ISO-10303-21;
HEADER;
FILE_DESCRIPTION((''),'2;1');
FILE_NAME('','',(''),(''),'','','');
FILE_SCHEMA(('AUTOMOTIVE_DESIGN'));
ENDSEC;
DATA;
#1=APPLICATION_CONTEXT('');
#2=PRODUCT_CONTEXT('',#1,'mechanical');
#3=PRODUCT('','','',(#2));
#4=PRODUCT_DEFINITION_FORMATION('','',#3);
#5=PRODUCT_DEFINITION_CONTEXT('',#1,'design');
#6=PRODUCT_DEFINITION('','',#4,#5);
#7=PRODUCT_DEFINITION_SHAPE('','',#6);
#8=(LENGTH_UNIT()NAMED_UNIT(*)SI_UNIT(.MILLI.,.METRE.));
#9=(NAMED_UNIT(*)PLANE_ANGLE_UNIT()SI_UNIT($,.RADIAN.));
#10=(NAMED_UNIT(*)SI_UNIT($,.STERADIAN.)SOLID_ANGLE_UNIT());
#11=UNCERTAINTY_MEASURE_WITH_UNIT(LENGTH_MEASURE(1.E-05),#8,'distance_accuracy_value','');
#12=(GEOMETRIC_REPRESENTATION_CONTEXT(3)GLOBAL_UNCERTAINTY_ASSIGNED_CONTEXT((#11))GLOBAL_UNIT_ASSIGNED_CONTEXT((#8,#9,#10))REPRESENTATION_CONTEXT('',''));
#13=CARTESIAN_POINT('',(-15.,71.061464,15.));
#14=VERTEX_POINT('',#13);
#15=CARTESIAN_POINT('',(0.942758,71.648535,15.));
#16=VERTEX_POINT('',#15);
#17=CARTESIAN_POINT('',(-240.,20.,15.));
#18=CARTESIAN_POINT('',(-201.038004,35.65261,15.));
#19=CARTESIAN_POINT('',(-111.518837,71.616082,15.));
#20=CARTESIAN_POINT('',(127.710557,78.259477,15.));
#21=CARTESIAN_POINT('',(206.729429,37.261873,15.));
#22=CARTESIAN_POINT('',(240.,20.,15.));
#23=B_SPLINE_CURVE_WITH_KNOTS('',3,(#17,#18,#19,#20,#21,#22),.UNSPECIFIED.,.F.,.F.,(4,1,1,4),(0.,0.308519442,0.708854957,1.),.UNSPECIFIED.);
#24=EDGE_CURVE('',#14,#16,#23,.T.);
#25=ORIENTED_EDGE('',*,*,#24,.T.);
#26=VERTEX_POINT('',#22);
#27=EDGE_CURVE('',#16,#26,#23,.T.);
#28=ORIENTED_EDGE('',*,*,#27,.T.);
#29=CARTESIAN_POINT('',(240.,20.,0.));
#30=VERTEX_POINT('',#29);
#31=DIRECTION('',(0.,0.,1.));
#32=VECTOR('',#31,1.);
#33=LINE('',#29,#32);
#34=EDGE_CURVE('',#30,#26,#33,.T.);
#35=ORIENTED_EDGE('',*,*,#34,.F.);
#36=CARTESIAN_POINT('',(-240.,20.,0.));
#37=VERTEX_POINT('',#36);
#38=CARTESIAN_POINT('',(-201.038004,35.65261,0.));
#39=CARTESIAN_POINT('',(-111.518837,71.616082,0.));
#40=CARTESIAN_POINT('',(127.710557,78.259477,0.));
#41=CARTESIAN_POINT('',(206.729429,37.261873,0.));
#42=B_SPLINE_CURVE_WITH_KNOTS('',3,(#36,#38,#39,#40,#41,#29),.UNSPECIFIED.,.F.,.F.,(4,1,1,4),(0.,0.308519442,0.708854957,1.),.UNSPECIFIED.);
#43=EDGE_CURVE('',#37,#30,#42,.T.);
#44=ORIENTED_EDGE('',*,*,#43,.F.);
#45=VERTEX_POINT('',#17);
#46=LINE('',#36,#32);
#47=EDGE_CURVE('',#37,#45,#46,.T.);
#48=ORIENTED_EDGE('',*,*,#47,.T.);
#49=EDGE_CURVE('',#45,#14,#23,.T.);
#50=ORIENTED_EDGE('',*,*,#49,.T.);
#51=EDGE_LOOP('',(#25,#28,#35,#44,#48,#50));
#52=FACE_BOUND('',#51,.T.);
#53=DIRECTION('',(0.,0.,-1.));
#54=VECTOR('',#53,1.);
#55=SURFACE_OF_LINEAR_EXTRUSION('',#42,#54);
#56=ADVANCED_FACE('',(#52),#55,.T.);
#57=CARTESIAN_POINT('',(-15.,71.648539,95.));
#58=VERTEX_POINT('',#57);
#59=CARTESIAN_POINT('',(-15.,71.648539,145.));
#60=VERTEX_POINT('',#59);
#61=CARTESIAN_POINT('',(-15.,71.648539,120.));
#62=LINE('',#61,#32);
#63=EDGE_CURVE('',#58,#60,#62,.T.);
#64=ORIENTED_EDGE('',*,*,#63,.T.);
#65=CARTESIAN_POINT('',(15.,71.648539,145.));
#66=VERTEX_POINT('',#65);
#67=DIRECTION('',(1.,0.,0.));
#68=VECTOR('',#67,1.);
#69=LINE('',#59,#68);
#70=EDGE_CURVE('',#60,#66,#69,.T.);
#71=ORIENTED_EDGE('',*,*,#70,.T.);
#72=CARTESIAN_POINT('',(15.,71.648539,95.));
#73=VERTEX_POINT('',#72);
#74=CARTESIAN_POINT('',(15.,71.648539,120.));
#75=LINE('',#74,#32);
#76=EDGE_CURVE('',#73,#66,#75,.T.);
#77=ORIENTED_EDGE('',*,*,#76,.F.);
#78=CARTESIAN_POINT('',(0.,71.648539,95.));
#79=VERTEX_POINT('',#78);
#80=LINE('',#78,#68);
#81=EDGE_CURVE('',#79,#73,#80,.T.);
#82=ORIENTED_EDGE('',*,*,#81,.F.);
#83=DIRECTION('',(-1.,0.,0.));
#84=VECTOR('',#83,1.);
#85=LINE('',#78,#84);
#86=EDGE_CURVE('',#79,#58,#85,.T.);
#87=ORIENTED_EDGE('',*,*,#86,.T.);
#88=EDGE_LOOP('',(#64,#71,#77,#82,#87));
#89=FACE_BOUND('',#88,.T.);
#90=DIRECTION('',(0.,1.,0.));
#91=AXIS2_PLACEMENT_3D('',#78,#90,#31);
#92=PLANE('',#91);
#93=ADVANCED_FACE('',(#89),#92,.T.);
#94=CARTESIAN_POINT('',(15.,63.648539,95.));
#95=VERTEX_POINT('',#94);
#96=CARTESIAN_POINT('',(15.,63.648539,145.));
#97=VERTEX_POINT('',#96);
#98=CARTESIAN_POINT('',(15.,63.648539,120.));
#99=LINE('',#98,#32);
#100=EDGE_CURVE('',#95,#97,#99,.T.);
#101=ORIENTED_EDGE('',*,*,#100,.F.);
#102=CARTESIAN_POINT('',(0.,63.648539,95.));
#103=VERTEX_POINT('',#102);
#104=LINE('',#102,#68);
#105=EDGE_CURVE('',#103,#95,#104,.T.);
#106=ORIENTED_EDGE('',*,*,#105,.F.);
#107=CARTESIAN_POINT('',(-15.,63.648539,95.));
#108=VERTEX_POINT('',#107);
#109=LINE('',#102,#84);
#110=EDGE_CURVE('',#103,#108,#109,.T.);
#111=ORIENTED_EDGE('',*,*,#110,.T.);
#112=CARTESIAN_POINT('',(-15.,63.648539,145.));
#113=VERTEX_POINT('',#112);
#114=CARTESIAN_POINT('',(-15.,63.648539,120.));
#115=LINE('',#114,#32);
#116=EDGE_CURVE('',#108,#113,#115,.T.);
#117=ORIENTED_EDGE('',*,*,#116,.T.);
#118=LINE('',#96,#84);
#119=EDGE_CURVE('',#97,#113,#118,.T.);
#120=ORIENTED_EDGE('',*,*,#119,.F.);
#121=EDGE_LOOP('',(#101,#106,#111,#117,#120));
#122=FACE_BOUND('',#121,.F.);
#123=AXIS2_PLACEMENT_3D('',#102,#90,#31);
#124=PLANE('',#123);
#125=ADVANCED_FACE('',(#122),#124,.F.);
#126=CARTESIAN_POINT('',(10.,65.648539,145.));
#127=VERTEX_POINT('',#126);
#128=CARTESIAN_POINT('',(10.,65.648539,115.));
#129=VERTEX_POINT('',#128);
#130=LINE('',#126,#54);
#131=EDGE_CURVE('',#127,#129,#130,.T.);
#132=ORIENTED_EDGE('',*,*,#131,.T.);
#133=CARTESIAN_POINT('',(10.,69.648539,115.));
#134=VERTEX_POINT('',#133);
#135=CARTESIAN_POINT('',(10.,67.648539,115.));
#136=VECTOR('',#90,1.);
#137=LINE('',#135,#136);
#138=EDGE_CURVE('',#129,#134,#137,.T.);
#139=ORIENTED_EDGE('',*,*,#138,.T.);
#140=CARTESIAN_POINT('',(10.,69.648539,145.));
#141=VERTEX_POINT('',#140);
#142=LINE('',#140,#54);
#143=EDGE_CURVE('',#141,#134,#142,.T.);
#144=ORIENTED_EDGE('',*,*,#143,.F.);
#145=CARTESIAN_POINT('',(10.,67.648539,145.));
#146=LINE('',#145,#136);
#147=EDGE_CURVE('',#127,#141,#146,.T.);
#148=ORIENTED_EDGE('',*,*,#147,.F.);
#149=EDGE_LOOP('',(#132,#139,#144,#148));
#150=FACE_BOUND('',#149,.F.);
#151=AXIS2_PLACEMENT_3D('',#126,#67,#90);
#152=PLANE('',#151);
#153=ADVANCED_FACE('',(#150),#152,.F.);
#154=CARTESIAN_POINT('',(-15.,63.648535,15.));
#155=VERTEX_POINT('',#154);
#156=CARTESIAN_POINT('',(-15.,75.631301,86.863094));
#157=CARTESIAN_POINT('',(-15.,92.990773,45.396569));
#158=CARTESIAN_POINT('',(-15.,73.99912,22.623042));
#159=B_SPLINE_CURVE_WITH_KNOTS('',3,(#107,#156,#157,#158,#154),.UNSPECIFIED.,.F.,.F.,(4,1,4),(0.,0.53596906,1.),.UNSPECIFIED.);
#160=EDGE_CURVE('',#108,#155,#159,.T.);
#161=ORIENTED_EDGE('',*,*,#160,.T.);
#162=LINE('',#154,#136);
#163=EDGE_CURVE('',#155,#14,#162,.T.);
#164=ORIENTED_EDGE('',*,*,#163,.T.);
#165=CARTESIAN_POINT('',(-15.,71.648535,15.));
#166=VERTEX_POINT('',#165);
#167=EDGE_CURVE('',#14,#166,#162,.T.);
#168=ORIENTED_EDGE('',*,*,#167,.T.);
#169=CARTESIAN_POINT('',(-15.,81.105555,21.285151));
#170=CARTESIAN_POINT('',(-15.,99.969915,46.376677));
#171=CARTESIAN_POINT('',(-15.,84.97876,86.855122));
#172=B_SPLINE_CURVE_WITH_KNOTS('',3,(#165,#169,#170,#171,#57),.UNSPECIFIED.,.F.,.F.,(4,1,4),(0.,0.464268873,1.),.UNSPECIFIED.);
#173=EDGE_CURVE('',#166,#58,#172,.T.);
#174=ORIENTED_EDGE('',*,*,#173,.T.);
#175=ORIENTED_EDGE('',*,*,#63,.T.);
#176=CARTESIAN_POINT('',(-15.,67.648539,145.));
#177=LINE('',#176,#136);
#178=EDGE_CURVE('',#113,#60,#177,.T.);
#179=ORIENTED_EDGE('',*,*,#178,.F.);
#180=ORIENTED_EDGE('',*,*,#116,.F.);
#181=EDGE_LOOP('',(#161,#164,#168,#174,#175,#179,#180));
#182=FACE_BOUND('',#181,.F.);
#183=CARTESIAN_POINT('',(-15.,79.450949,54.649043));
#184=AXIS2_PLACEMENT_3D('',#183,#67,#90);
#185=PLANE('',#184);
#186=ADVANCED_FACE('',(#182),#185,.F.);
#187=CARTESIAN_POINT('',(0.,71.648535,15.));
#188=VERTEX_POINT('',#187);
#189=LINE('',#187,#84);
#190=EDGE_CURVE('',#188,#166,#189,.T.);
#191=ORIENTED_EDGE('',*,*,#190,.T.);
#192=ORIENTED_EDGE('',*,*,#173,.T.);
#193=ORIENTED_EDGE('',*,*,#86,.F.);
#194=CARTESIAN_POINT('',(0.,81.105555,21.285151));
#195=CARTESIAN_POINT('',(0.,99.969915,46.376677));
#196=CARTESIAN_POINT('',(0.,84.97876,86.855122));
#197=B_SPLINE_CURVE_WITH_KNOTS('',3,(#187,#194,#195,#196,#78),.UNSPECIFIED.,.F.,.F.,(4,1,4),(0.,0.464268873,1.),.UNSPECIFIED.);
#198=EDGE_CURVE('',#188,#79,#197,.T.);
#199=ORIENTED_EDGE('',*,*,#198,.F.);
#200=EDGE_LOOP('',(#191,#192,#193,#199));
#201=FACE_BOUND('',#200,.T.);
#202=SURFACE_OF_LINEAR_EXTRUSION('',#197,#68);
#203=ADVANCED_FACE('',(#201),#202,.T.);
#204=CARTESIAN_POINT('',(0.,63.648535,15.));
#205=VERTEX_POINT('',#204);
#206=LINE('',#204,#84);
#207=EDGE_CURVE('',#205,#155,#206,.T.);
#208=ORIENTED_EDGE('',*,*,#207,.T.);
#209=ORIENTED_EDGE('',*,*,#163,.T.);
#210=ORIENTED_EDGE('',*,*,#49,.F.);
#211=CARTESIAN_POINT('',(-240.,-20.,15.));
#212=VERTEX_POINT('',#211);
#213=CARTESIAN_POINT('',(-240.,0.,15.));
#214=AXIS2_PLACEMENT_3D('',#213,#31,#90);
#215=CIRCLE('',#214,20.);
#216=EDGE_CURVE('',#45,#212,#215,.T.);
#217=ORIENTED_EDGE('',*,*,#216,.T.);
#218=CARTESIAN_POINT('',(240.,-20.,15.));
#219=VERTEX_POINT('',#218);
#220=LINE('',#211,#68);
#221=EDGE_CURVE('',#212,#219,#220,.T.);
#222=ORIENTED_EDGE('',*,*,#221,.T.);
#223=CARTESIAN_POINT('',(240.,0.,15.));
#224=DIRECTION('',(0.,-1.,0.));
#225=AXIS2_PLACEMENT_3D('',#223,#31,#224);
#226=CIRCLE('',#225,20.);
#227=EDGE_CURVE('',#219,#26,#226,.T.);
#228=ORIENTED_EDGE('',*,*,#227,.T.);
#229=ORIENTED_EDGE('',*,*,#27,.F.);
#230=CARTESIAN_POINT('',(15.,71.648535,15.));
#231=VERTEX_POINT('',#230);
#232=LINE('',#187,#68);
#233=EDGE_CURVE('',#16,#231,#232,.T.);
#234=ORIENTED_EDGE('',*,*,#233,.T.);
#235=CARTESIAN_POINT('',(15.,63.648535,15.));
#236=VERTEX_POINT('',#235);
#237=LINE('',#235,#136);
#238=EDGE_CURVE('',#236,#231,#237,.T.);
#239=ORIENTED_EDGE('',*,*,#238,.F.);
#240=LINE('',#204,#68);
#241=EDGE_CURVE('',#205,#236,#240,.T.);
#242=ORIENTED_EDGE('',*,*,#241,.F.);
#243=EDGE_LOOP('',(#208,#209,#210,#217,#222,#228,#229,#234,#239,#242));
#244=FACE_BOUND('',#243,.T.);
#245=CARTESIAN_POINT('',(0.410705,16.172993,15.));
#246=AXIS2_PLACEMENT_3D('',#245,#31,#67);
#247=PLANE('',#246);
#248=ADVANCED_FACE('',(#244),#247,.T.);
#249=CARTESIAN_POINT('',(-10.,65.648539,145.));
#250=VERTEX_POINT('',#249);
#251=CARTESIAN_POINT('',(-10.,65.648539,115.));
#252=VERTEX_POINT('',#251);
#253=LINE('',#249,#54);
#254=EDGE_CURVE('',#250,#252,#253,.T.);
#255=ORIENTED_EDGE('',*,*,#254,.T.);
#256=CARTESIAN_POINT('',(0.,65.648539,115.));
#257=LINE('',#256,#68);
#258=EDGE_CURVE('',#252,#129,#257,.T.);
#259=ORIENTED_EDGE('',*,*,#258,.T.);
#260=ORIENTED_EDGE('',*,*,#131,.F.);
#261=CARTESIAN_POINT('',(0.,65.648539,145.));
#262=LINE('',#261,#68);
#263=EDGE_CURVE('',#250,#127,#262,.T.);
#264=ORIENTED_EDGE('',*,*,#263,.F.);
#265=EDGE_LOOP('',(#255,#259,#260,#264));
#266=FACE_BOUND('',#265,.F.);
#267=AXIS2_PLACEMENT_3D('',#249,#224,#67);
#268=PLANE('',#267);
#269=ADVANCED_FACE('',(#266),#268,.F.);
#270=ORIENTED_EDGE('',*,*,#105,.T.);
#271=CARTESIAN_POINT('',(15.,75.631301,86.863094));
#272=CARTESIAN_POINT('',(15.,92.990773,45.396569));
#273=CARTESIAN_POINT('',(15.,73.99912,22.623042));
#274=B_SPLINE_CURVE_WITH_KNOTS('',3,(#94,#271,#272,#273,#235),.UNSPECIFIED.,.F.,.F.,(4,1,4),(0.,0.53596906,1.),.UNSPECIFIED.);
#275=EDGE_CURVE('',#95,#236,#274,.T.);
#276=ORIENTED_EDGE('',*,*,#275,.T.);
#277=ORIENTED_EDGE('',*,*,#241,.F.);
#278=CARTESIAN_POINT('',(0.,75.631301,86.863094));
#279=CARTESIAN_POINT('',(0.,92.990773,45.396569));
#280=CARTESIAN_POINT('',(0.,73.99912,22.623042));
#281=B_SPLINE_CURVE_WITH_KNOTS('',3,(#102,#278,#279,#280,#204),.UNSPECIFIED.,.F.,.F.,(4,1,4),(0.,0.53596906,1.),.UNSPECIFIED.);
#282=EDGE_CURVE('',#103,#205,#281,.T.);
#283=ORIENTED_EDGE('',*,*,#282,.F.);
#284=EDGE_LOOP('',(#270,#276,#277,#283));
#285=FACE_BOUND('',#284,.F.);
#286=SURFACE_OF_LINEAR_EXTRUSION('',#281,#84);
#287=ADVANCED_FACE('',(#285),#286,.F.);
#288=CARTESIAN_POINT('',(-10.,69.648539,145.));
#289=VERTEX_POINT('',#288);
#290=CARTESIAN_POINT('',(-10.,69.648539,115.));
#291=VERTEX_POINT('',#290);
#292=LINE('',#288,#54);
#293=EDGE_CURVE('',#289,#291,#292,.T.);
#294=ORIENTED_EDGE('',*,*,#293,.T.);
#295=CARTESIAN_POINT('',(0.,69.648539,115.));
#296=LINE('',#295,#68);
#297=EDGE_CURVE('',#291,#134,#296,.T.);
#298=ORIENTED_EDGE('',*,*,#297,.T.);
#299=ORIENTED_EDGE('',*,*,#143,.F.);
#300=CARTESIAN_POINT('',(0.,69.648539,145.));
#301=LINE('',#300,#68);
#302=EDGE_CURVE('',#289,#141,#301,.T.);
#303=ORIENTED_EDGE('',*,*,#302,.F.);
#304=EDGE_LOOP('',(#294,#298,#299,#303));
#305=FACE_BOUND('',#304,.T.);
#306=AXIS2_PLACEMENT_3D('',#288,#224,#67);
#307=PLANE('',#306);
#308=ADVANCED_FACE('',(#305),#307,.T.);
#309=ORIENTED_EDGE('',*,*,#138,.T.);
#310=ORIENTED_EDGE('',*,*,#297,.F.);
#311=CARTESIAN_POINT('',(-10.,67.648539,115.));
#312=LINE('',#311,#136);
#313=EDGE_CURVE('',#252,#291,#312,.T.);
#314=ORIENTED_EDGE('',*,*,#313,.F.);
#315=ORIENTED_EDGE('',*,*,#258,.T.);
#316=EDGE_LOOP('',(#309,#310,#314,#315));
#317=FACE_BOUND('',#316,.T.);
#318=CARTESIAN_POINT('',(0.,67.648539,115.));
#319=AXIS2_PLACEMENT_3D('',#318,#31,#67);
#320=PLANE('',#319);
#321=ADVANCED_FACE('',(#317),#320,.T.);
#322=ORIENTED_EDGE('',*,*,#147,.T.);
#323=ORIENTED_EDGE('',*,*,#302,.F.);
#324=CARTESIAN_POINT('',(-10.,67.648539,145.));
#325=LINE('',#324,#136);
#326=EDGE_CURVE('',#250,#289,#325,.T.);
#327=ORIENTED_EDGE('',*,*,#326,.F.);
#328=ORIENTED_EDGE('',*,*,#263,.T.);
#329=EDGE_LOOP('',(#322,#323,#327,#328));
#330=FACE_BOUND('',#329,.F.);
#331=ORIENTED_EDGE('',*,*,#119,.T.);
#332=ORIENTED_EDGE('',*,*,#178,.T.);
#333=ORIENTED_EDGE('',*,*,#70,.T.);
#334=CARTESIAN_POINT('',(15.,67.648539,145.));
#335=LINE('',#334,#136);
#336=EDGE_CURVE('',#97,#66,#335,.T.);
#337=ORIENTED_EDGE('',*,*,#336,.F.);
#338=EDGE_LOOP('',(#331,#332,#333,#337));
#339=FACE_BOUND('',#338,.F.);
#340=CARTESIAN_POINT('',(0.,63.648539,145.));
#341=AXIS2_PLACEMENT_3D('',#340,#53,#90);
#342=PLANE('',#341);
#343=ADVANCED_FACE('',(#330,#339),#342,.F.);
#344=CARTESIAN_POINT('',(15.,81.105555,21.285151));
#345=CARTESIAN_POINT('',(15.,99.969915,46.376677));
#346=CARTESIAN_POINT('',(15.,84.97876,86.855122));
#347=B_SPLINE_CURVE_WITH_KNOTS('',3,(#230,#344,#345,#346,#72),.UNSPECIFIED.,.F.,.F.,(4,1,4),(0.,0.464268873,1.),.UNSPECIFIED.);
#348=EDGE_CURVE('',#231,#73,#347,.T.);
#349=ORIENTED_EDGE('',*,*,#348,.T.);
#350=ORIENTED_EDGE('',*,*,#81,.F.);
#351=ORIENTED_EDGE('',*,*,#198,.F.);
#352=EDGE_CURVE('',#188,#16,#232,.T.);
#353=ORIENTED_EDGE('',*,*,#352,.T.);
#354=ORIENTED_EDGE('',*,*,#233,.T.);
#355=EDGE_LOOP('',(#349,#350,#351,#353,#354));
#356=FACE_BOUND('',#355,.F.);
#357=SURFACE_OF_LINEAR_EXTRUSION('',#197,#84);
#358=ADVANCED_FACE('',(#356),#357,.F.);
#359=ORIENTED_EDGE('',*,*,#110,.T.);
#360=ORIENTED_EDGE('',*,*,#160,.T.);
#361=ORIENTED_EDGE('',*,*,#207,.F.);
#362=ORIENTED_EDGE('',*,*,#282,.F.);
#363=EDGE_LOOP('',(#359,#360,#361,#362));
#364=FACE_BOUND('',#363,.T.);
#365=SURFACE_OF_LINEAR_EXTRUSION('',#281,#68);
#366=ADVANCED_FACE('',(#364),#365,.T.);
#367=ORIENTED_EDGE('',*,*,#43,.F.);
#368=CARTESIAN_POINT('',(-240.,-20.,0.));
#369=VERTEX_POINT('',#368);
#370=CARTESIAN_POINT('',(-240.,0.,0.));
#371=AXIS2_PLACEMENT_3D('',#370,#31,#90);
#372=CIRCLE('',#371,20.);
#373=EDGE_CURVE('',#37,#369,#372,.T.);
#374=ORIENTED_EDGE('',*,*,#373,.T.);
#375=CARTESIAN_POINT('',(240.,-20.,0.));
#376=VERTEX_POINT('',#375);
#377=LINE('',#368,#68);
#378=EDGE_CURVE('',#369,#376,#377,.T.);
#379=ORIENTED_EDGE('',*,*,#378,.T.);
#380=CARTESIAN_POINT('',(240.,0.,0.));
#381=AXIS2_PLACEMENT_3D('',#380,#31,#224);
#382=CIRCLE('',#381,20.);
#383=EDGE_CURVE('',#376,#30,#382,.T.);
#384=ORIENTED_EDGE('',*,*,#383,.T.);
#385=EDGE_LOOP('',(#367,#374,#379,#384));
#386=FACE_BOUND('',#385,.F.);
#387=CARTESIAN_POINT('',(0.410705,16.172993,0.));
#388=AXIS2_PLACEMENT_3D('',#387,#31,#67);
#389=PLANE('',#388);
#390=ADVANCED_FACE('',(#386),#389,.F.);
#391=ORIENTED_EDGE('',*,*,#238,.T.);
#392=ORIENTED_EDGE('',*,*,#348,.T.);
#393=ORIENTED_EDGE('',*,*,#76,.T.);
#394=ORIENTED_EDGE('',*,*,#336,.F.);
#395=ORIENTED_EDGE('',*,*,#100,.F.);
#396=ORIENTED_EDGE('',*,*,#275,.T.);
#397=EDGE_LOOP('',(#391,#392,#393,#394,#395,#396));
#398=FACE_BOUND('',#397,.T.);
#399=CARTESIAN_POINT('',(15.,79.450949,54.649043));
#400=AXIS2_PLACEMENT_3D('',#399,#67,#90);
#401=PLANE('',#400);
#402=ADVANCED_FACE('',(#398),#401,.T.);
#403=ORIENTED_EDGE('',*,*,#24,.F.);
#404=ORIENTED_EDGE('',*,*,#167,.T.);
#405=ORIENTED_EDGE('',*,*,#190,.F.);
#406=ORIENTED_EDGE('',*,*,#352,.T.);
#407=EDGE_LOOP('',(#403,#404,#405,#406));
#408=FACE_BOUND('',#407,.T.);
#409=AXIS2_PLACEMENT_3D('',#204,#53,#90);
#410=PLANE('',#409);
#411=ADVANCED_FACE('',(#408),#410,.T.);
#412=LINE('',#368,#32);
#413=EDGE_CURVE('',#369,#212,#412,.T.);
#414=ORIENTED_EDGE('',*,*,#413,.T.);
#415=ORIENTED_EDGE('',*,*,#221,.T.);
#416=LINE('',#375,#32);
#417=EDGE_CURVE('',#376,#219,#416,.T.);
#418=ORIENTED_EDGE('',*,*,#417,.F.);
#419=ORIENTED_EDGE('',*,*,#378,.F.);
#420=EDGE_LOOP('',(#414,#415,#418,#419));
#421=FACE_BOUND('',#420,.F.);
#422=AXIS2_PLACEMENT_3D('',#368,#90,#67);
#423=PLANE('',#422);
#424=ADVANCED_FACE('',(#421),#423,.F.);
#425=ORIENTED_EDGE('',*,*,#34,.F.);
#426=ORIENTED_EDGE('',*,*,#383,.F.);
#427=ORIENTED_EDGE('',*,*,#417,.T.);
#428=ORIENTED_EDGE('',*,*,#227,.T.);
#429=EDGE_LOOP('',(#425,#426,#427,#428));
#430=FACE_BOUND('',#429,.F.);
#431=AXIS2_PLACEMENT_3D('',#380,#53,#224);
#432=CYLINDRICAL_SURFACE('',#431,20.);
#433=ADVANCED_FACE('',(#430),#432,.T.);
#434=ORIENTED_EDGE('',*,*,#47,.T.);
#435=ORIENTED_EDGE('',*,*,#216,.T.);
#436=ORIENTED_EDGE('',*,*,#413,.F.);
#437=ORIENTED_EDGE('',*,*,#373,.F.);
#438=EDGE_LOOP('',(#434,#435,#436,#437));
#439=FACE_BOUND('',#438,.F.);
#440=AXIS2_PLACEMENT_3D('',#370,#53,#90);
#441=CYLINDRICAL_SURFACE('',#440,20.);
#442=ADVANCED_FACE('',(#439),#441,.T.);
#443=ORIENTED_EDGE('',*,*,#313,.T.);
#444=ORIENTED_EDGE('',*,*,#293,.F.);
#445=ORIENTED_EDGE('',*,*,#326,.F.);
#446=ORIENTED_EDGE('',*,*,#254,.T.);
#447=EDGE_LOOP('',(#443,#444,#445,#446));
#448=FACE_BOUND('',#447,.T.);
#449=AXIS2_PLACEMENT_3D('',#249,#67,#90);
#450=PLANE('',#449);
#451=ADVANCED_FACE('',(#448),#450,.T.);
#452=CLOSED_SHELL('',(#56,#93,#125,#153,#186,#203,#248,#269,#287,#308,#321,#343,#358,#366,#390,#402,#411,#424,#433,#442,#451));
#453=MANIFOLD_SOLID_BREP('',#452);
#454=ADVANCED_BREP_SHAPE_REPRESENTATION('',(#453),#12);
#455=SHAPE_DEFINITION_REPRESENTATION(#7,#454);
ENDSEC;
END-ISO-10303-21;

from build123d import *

# Parameters (mm, degrees)
F1_DEPTH = 15
F2_W     = 8
F2_H     = 50
F3_DEPTH = 15
F4_W     = 20
F4_H     = 4
F5_DEPTH = 30


with BuildPart() as f1:
    # F0 (on Top) → F1 (new body)
    with BuildSketch(Plane.XY):
        with BuildLine():
            ThreePointArc((-240, 20), (-260, 0), (-240, -20))
            Line((-240, -20), (240, -20))
            ThreePointArc((240, -20), (260, 0), (240, 20))
            add(Edge.make_bspline(
                [(-240, 20), (-201.0380044732, 35.6526101303), (-111.5188369016, 71.6160819761), (127.7105565079, 78.2594773928), (206.7294289612, 37.2618727193), (240, 20)],
                knots=[0, 0, 0, 0, 0.3085194424, 0.7088549571, 1, 1, 1, 1], degree=3))
        make_face()
    extrude(amount=F1_DEPTH)

    # F2 (on Right) → F3 (join, symmetric)
    with BuildSketch(Plane.YZ):
        with BuildLine():
            Line((63.6485348786, 15), (71.6485348786, 15))
            add(Edge.make_bspline(
                [(71.6485348786, 15), (81.1055550979, 21.2851513885), (99.9699154527, 46.3766770593), (84.9787602317, 86.8551220677), (71.6485385144, 95)],
                knots=[0, 0, 0, 0, 0.4642688731, 1, 1, 1, 1], degree=3))
            Line((71.6485385144, 95), (63.6485385144, 95))
            add(Edge.make_bspline(
                [(63.6485385144, 95), (75.6313007905, 86.8630942273), (92.9907729816, 45.3965691415), (73.9991203582, 22.623041553), (63.6485348786, 15)],
                knots=[0, 0, 0, 0, 0.53596906, 1, 1, 1, 1], degree=3))
        make_face()
        with Locations((67.6485385144, 120)):
            Rectangle(F2_W, F2_H)
    extrude(amount=F3_DEPTH, both=True)

    # F4 (on face) → F5 (cut)
    with BuildSketch(Plane.XY.offset(145)):
        with Locations((0, 67.6485385144)):
            Rectangle(F4_W, F4_H)
    extrude(amount=-F5_DEPTH, mode=Mode.SUBTRACT)


solid = f1.part
